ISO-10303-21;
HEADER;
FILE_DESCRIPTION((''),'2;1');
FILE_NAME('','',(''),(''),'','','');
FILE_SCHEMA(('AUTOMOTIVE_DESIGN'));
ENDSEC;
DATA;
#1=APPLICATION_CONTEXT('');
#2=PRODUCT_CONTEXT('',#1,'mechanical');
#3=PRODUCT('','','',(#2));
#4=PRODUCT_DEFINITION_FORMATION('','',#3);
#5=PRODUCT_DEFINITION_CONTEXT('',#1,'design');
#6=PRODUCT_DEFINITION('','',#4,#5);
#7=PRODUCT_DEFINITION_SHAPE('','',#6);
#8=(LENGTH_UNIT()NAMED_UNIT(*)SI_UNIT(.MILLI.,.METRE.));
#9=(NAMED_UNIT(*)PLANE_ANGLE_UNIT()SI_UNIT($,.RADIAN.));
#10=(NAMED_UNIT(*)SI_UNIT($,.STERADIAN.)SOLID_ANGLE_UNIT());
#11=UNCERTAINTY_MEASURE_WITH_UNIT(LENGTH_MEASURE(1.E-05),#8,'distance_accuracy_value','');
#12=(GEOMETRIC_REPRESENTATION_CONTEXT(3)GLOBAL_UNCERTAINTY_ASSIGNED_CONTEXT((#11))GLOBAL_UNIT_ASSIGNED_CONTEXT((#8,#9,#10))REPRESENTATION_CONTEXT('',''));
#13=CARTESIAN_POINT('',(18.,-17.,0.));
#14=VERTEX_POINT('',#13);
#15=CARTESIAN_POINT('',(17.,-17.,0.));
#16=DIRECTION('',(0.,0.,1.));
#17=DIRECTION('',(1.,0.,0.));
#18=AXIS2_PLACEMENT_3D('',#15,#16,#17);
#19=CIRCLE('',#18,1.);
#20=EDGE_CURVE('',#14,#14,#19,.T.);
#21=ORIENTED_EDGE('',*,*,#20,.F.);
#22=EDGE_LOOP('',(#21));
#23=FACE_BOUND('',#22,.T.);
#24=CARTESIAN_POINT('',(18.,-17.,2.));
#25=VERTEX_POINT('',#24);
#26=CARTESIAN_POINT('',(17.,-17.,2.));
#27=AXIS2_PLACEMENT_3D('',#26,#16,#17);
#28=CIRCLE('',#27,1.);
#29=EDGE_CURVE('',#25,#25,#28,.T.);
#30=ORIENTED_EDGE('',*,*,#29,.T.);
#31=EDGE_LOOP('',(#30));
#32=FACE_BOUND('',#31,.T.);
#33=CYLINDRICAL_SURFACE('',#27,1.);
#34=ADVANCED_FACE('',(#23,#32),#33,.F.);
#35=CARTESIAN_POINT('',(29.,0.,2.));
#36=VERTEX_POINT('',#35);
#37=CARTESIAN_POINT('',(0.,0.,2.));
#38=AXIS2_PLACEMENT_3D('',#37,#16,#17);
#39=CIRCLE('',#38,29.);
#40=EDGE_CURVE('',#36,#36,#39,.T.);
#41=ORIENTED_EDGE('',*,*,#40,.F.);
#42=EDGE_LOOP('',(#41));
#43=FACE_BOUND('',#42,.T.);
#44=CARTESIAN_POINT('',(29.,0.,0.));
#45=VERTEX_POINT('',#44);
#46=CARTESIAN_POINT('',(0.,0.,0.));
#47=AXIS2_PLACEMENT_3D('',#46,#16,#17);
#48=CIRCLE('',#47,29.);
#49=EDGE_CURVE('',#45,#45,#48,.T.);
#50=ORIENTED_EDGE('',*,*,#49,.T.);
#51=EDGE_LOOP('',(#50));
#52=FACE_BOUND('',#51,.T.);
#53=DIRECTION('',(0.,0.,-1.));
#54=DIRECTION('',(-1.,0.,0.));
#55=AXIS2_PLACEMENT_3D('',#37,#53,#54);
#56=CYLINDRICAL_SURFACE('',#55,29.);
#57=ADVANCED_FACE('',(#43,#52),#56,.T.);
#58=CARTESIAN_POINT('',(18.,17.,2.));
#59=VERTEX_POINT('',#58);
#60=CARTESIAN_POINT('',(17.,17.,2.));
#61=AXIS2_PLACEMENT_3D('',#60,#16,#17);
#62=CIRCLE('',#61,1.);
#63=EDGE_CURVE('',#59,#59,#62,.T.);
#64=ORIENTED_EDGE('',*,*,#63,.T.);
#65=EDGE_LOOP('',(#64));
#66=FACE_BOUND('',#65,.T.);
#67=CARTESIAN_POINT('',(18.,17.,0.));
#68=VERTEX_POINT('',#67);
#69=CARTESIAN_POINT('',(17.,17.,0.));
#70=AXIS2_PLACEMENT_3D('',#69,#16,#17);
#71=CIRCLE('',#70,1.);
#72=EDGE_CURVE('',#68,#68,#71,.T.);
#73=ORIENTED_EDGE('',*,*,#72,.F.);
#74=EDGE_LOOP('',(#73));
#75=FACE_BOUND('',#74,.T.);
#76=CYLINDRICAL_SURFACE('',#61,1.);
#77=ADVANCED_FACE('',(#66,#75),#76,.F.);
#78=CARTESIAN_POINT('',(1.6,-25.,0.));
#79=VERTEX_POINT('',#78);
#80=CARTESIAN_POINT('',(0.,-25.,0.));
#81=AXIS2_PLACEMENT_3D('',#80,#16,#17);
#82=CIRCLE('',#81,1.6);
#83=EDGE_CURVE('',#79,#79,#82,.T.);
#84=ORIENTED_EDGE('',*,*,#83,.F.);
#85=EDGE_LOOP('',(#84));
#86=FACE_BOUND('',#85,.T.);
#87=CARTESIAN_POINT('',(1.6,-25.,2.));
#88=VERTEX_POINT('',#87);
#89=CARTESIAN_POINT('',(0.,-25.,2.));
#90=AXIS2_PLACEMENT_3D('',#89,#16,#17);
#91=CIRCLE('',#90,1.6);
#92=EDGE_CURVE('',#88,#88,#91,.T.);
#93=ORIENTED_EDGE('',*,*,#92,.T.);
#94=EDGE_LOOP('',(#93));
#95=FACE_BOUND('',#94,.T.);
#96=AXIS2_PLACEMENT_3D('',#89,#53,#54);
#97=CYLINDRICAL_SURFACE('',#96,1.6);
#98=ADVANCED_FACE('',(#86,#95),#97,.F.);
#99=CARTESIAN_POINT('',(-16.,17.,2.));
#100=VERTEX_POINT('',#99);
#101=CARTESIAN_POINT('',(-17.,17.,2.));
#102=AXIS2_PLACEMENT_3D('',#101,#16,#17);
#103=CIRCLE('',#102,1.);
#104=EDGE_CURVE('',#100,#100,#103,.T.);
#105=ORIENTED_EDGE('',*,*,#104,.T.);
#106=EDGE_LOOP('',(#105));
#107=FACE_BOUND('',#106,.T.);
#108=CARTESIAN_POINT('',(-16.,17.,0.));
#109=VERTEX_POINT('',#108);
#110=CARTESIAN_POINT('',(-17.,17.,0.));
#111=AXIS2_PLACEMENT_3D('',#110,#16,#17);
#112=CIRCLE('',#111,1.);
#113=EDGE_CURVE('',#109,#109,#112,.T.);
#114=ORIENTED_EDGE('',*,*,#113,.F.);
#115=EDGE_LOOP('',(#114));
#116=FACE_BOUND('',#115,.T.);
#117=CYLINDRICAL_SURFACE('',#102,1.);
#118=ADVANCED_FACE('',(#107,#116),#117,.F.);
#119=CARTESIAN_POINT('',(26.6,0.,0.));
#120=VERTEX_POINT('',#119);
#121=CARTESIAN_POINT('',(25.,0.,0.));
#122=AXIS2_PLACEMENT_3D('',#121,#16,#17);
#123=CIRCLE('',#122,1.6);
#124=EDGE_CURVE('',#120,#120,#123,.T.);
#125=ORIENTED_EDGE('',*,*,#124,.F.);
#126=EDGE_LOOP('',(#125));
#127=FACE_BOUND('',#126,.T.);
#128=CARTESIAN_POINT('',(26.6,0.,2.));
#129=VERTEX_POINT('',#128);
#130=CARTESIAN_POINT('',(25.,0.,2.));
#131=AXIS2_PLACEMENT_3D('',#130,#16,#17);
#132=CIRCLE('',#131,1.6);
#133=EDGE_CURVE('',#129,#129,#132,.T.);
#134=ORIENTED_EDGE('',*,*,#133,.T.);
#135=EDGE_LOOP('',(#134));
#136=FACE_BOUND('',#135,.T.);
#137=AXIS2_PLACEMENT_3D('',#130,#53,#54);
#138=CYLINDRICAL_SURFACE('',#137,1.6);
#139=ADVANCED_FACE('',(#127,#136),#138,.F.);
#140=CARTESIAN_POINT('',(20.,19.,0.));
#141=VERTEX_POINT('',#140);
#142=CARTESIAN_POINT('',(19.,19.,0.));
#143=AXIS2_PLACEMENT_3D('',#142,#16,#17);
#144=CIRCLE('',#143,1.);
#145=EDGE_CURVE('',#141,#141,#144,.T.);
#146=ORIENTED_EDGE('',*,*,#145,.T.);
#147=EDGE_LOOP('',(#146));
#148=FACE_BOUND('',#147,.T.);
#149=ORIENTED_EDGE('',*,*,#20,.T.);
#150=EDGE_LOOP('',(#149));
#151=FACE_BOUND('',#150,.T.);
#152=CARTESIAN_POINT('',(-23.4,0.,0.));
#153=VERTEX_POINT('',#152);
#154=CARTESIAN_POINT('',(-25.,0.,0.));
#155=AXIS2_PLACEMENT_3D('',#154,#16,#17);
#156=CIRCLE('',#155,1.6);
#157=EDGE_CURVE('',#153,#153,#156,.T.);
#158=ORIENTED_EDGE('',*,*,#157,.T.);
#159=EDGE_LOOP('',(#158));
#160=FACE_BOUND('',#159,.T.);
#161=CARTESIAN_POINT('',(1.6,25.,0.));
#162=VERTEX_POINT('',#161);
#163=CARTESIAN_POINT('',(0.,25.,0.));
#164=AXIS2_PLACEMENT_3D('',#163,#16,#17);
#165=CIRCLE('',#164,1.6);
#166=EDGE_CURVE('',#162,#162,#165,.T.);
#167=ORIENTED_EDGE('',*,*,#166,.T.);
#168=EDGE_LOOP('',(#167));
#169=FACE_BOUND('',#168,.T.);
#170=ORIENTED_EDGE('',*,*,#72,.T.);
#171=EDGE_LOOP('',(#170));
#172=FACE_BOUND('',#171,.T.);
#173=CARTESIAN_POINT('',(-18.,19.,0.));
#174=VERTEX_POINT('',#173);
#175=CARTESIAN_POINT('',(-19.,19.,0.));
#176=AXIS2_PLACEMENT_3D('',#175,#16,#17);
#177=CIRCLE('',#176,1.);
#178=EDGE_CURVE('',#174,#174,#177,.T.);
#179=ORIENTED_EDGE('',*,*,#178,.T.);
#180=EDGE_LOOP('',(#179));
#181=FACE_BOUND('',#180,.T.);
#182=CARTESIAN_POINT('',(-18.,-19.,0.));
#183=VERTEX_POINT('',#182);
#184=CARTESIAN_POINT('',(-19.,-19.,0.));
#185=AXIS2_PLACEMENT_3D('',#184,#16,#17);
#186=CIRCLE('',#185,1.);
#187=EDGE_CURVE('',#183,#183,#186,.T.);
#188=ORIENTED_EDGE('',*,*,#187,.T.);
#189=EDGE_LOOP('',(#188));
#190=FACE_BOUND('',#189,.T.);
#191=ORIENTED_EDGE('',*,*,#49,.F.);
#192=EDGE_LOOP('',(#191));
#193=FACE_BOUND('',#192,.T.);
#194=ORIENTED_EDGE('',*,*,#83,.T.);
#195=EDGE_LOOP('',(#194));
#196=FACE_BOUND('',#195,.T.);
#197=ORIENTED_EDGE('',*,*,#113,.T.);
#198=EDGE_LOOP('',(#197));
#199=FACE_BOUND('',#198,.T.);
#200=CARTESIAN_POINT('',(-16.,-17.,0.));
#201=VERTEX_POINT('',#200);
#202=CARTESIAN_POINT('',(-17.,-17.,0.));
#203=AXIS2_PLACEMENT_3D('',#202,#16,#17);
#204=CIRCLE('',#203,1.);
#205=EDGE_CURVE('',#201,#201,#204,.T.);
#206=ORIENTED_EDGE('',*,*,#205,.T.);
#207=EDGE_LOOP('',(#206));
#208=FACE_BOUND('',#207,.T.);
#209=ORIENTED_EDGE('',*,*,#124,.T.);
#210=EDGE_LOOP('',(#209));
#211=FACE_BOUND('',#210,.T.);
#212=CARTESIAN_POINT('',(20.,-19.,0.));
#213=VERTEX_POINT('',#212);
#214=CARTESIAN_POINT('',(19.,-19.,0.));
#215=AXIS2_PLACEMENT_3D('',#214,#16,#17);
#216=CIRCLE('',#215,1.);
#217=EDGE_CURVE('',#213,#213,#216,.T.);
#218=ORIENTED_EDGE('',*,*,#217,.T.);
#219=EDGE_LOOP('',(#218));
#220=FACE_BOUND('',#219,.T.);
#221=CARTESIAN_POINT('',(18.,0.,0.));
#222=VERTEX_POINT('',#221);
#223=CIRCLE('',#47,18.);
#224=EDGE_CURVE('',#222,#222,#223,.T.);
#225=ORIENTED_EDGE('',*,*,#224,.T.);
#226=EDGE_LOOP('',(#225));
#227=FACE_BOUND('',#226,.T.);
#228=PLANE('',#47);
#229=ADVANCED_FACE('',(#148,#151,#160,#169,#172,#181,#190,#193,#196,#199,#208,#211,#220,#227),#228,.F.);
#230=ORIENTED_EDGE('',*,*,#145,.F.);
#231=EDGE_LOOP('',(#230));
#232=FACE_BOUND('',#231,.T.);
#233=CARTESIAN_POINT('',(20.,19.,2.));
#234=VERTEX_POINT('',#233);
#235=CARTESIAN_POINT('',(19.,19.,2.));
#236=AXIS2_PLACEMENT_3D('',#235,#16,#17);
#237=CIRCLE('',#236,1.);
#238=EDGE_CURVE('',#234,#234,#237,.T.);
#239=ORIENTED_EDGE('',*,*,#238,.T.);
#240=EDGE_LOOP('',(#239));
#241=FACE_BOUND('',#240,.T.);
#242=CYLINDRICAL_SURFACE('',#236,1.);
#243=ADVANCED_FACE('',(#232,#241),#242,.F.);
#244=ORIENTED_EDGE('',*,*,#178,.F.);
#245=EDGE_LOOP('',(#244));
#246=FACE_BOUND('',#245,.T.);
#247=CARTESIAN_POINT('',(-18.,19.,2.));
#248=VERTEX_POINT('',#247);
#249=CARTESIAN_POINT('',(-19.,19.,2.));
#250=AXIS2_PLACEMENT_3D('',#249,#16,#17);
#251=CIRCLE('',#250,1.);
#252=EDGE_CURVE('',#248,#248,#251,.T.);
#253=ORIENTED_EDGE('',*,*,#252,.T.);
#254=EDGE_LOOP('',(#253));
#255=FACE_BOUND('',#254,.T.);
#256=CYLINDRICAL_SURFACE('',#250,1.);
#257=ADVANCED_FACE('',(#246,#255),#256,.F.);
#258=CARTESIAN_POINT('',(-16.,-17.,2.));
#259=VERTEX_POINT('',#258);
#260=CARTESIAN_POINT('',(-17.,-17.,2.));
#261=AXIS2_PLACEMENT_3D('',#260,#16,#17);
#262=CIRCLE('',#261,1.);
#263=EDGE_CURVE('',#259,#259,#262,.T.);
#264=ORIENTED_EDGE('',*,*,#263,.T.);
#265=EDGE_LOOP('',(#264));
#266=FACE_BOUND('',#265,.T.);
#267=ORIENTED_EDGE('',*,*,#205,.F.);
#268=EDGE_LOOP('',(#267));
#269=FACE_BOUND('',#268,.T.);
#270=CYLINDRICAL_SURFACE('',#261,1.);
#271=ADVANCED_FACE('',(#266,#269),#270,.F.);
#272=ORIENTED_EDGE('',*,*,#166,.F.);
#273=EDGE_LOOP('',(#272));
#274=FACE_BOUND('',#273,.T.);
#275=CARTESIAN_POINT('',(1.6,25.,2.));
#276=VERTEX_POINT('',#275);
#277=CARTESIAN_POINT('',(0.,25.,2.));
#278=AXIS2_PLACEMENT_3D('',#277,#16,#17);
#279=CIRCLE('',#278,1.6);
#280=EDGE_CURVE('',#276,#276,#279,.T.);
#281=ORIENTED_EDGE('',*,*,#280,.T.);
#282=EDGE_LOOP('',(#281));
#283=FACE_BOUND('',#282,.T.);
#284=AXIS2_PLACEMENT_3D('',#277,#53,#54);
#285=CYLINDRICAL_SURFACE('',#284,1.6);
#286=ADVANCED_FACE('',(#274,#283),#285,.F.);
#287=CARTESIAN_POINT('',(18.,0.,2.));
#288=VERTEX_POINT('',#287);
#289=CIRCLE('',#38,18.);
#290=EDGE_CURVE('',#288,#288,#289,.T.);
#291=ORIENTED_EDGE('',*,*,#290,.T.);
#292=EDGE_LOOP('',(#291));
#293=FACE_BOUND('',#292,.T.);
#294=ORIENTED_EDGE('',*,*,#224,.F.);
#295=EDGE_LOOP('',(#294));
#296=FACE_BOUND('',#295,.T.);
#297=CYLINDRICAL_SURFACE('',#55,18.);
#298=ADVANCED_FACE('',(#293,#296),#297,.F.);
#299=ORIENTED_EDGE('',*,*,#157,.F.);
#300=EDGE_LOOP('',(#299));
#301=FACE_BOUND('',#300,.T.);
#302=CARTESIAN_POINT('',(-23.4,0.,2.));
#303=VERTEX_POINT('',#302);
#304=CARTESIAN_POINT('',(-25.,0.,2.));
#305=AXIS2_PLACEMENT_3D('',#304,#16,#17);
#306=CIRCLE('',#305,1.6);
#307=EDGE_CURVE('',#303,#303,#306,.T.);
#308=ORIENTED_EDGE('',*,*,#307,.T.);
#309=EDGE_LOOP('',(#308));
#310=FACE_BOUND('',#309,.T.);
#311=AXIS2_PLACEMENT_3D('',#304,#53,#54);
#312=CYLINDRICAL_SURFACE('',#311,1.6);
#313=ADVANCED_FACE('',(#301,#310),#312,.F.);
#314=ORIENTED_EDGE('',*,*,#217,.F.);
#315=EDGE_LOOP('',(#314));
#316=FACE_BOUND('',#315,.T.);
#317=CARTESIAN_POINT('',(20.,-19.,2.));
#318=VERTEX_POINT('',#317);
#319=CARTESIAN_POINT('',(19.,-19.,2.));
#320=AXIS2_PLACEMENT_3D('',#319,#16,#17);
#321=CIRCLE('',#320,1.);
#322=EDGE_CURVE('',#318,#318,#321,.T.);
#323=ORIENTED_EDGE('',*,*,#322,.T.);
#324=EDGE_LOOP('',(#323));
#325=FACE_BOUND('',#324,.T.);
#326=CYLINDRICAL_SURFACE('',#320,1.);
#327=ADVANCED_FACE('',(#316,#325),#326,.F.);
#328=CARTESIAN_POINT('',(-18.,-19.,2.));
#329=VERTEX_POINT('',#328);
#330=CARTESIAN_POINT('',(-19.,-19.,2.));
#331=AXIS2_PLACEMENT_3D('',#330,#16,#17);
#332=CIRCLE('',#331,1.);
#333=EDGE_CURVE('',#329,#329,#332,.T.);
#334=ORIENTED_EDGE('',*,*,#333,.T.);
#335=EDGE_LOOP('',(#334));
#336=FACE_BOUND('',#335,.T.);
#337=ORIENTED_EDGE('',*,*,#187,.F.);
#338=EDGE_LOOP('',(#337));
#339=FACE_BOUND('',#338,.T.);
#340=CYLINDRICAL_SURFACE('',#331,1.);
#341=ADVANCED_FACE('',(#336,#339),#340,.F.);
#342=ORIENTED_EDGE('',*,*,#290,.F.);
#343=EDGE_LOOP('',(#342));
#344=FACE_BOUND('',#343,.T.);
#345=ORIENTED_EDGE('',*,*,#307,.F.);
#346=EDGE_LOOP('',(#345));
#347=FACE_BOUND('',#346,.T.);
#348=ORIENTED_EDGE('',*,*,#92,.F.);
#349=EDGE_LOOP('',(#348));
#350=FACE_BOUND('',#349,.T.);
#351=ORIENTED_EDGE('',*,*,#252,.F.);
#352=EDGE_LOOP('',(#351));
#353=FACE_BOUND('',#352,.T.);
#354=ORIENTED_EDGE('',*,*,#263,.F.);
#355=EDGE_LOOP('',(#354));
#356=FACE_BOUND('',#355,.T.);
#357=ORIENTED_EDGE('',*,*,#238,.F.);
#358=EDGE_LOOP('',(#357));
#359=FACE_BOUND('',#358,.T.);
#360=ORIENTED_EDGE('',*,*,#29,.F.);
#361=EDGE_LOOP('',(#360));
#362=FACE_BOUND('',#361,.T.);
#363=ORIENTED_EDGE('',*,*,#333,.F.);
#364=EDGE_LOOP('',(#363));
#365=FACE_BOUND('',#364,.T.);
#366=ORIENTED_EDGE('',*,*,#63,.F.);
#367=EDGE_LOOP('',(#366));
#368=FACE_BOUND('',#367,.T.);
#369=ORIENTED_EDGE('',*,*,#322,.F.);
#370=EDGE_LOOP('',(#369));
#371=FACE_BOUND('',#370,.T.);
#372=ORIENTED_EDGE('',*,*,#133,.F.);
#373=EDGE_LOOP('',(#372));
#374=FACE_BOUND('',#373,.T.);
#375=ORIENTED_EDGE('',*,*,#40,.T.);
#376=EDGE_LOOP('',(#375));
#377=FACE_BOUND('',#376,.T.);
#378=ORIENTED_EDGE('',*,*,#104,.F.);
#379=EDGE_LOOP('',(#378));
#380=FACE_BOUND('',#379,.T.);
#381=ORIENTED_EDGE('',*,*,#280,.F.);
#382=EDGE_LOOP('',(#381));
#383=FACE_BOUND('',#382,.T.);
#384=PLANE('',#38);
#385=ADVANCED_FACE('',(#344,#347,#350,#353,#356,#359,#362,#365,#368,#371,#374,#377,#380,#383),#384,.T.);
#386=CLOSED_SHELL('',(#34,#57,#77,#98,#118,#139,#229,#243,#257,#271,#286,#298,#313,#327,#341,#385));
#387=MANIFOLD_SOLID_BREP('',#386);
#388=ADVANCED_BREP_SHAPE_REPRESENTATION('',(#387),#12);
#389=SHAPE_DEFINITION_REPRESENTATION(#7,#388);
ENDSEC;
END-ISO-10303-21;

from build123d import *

# Parameters (mm, degrees)
SKETCH1_R             = 18
BOSS_EXTRUDE1_DEPTH   = 2
F_2_0MM_DOWEL_HOLE1_D = 2
SKETCH5_R             = 1.6
CUT_EXTRUDE4_DEPTH    = 42.060930335


with BuildPart() as part:
    # Sketch1 → Boss-Extrude1 (new body)
    with BuildSketch(Plane.XY):
        with BuildLine():
            ThreePointArc((-29, 0), (0, -29), (29, 0))
            ThreePointArc((29, 0), (0, 29), (-29, 0))
        make_face()
        Circle(SKETCH1_R, mode=Mode.SUBTRACT)
    extrude(amount=BOSS_EXTRUDE1_DEPTH)

    # Ø2.0mm Dowel Hole1 (through all)
    with Locations(Plane(origin=(-19, 19, 2), x_dir=(1, 0, 0), z_dir=(0, 0, 1))):
        with Locations((0, 0), (2, -2), (36, -2), (38, 0), (36, -36), (38, -38), (0, -38), (2, -36)):
            Hole(F_2_0MM_DOWEL_HOLE1_D / 2)

    # Sketch5 → Cut-Extrude4 (cut, through all)
    with BuildSketch(Plane.XY):
        with Locations((0, 25)):
            Circle(SKETCH5_R)
        with Locations((-25, 0)):
            Circle(SKETCH5_R)
        with Locations((25, 0)):
            Circle(SKETCH5_R)
        with Locations((0, -25)):
            Circle(SKETCH5_R)
    extrude(amount=CUT_EXTRUDE4_DEPTH, mode=Mode.SUBTRACT)


solid = part.part
